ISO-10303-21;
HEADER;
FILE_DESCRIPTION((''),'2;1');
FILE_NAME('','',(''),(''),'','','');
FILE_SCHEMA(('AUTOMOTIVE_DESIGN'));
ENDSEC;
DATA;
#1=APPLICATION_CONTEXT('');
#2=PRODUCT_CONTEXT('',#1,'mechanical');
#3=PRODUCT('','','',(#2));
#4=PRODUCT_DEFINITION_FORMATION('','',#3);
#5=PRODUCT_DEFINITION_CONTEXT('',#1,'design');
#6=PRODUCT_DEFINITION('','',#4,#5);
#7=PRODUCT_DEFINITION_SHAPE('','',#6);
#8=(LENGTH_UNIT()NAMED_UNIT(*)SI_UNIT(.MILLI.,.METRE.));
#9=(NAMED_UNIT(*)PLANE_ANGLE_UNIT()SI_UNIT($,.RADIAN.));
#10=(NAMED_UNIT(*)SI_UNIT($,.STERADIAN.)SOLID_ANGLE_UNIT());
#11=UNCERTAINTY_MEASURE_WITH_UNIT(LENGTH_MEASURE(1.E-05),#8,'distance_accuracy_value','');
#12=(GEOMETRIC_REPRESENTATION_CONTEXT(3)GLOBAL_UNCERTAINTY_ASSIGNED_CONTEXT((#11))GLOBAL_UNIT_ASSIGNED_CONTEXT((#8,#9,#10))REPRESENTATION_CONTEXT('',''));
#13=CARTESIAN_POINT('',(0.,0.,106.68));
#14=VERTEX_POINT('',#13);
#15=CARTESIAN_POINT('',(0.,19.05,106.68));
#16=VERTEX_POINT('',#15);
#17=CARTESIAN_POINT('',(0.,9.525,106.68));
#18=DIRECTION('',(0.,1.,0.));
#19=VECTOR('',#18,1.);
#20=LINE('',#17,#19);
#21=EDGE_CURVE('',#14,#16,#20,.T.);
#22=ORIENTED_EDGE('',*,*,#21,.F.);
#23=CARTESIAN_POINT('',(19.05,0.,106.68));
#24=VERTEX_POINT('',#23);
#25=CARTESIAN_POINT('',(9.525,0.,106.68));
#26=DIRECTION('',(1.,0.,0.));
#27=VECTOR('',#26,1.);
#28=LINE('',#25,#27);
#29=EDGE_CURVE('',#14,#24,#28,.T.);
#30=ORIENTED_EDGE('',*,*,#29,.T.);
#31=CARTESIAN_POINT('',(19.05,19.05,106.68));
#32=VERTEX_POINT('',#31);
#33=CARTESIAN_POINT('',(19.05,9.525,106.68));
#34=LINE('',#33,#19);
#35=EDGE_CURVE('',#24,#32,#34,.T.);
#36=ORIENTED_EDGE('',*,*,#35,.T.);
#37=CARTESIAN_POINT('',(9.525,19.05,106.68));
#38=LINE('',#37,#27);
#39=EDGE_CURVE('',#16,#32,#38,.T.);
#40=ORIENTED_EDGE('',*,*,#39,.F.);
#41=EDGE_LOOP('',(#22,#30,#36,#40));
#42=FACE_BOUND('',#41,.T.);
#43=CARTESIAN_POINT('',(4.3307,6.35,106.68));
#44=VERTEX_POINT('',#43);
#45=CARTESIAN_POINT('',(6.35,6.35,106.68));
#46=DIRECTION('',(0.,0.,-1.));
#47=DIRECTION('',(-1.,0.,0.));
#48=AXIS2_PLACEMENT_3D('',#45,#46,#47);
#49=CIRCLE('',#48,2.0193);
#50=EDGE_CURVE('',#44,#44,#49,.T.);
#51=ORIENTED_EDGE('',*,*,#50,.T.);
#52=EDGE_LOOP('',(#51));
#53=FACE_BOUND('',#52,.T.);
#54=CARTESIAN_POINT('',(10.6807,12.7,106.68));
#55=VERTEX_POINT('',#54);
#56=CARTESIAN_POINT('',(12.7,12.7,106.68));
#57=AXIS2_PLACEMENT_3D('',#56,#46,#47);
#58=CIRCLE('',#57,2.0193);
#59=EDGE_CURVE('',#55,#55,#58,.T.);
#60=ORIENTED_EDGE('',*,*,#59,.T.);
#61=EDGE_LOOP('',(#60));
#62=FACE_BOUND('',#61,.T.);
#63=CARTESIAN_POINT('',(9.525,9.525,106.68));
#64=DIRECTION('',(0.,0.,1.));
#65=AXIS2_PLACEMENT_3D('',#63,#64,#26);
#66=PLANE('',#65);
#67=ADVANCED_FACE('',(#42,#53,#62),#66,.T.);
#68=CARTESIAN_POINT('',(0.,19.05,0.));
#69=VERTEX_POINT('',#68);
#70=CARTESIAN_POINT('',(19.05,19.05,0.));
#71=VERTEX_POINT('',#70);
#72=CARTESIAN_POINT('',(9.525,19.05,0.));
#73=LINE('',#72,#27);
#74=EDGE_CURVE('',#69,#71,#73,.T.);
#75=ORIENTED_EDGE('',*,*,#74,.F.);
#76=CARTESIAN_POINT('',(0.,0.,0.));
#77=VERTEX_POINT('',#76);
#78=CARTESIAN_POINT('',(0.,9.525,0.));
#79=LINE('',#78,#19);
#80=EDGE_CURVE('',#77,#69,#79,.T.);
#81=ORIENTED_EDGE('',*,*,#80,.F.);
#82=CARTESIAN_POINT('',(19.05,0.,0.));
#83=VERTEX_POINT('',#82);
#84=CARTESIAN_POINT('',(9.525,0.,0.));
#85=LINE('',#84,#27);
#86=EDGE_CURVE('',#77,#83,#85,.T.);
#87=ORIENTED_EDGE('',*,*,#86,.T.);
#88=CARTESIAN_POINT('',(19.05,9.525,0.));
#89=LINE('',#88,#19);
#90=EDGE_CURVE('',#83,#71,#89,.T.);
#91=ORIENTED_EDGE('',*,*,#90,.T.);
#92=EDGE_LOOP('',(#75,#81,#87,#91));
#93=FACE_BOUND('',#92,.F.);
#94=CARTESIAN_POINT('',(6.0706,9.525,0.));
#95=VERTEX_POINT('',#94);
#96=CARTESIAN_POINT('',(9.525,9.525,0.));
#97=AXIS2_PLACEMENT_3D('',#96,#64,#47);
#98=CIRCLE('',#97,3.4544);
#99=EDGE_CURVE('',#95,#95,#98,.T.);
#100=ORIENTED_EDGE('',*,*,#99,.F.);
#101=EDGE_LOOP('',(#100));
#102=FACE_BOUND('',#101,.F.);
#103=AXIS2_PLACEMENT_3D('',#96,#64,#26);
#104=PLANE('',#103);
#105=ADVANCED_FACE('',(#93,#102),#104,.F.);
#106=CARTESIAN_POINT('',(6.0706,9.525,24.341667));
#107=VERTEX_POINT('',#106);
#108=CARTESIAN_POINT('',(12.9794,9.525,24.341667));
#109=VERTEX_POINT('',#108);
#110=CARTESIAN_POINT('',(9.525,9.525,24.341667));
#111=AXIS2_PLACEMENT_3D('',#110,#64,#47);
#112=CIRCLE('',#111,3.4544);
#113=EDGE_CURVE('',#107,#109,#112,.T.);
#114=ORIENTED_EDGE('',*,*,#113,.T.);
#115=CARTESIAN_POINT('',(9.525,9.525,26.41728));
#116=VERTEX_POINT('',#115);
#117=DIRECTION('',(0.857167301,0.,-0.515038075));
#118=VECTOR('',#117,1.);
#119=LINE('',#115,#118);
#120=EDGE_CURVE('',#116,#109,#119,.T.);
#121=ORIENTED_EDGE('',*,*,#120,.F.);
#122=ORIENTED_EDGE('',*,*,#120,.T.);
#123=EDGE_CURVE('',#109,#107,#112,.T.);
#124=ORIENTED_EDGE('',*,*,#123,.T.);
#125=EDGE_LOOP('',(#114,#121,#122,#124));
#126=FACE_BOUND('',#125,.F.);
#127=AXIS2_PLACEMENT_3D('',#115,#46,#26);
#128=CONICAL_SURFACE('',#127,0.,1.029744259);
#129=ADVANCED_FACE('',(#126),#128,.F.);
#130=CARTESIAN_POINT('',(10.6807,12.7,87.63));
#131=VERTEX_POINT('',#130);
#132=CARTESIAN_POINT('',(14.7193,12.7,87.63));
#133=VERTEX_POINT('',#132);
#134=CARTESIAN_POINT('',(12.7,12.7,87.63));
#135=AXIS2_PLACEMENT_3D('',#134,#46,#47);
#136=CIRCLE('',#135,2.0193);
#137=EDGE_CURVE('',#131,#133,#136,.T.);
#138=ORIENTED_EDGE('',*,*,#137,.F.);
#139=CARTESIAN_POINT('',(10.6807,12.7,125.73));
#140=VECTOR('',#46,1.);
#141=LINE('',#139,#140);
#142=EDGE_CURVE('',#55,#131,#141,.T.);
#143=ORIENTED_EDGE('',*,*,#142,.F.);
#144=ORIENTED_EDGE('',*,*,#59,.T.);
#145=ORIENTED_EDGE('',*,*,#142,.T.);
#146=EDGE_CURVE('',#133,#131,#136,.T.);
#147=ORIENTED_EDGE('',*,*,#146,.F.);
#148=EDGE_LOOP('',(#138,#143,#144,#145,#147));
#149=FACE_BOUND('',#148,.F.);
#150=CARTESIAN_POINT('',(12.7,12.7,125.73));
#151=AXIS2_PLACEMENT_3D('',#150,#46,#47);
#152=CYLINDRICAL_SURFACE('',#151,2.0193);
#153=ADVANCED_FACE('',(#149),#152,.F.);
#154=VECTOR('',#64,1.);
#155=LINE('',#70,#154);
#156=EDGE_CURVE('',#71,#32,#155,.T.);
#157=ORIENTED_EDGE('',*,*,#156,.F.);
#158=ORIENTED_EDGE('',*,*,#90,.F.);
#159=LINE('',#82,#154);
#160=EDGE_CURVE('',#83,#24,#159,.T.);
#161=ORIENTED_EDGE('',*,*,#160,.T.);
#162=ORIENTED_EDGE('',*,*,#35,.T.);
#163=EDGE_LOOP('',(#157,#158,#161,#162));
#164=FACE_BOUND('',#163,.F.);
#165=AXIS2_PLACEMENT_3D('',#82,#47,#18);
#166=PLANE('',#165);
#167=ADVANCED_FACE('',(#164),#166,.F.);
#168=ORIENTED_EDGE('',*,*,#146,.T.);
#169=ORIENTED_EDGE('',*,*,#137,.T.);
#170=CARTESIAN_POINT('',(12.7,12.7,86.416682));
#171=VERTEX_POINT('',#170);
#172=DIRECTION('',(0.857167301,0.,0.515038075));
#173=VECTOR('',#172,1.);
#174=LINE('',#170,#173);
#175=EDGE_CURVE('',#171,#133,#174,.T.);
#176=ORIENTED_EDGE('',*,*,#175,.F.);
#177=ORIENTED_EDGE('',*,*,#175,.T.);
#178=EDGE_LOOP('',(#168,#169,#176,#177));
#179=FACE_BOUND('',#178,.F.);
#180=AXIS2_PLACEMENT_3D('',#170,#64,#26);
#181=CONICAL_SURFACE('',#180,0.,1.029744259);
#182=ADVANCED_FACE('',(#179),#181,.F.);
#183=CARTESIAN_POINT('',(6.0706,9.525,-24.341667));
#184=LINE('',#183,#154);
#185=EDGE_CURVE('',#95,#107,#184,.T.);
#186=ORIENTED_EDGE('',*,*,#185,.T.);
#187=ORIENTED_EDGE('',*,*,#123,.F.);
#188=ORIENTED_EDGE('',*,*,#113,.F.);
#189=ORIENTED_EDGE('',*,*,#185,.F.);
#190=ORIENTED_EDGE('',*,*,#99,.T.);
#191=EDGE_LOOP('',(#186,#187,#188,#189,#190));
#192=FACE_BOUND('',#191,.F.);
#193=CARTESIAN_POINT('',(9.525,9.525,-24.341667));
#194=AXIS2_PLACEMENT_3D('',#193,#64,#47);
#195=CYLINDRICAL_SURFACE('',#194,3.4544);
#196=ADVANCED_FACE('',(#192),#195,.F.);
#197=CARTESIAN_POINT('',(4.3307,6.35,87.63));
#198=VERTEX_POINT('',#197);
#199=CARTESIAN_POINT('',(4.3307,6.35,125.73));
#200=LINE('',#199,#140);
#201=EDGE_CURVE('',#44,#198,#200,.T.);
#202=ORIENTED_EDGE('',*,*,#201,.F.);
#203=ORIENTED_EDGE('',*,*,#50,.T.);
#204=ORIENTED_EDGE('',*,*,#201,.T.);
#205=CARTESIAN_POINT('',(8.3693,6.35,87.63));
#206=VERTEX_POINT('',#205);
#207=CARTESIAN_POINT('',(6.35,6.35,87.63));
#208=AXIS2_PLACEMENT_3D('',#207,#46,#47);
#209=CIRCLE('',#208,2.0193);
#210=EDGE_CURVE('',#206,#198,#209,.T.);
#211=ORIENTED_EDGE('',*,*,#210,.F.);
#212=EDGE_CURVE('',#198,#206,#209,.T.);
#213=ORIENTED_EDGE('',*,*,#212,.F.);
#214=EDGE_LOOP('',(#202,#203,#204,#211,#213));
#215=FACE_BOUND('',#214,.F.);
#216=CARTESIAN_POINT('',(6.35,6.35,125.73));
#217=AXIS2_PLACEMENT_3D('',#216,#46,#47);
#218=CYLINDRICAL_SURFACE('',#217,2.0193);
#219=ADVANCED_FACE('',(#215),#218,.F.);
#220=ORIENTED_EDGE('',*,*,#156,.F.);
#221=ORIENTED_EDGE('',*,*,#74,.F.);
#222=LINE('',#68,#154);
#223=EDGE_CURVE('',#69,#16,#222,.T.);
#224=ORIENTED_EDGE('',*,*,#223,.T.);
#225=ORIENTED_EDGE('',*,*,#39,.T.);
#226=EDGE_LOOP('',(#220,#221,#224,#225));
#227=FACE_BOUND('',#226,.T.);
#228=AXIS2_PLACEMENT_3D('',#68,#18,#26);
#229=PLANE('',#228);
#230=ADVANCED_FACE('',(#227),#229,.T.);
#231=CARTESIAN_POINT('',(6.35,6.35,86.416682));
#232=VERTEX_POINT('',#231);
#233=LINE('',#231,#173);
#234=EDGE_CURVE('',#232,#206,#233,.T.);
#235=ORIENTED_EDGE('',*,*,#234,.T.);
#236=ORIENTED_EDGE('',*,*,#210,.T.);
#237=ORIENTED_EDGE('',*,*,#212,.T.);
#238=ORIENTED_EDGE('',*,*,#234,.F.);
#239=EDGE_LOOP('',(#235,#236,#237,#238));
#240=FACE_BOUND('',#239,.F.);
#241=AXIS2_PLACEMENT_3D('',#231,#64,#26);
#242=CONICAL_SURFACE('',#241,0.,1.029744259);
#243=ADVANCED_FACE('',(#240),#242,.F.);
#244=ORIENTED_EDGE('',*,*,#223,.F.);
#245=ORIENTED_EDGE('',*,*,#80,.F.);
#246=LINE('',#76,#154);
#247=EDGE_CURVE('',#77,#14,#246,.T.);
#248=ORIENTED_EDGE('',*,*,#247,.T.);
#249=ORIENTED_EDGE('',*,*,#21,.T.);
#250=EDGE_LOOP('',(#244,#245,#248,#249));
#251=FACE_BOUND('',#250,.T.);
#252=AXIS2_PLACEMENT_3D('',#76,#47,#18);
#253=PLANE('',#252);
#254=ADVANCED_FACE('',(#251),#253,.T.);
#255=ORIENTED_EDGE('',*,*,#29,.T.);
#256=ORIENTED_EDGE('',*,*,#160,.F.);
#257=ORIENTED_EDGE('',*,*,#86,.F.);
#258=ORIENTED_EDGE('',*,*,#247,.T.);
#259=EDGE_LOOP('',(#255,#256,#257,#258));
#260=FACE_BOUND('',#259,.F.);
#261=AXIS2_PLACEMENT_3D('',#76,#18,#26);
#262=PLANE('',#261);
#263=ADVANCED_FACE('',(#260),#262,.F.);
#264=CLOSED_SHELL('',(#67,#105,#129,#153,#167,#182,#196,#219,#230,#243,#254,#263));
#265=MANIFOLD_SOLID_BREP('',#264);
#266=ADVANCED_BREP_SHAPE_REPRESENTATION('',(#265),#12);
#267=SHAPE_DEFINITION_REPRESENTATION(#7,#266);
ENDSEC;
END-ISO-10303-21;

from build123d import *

# Parameters (mm, degrees)
F0_W     = 19.05
F0_H     = 19.05
F1_DEPTH = 106.68
F3_D     = 4.0386
F3_DEPTH = 19.05
F3_TIP   = 1.213317848
F5_D     = 6.9088
F5_DEPTH = 24.3416666667
F5_TIP   = 2.0756129224


with BuildPart() as f1:
    # F0 (on Top) → F1 (new body)
    with BuildSketch(Plane.XY):
        with Locations((9.525, 9.525)):
            Rectangle(F0_W, F0_H)
    extrude(amount=F1_DEPTH)

    # F3
    with Locations(Plane.XY.offset(106.68)):
        with Locations((12.7, 12.7), (6.35, 6.35)):
            Hole(F3_D / 2, depth=F3_DEPTH)
            with Locations((0, 0, -(F3_DEPTH + F3_TIP / 2))):  # 118° drill point
                Cone(0, F3_D / 2, F3_TIP, mode=Mode.SUBTRACT)

    # F5
    with Locations(Plane(origin=(0, 0, 0), x_dir=(1, 0, 0), z_dir=(0, 0, -1))):
        with Locations((9.525, -9.525)):
            Hole(F5_D / 2, depth=F5_DEPTH)
            with Locations((0, 0, -(F5_DEPTH + F5_TIP / 2))):  # 118° drill point
                Cone(0, F5_D / 2, F5_TIP, mode=Mode.SUBTRACT)


solid = f1.part
